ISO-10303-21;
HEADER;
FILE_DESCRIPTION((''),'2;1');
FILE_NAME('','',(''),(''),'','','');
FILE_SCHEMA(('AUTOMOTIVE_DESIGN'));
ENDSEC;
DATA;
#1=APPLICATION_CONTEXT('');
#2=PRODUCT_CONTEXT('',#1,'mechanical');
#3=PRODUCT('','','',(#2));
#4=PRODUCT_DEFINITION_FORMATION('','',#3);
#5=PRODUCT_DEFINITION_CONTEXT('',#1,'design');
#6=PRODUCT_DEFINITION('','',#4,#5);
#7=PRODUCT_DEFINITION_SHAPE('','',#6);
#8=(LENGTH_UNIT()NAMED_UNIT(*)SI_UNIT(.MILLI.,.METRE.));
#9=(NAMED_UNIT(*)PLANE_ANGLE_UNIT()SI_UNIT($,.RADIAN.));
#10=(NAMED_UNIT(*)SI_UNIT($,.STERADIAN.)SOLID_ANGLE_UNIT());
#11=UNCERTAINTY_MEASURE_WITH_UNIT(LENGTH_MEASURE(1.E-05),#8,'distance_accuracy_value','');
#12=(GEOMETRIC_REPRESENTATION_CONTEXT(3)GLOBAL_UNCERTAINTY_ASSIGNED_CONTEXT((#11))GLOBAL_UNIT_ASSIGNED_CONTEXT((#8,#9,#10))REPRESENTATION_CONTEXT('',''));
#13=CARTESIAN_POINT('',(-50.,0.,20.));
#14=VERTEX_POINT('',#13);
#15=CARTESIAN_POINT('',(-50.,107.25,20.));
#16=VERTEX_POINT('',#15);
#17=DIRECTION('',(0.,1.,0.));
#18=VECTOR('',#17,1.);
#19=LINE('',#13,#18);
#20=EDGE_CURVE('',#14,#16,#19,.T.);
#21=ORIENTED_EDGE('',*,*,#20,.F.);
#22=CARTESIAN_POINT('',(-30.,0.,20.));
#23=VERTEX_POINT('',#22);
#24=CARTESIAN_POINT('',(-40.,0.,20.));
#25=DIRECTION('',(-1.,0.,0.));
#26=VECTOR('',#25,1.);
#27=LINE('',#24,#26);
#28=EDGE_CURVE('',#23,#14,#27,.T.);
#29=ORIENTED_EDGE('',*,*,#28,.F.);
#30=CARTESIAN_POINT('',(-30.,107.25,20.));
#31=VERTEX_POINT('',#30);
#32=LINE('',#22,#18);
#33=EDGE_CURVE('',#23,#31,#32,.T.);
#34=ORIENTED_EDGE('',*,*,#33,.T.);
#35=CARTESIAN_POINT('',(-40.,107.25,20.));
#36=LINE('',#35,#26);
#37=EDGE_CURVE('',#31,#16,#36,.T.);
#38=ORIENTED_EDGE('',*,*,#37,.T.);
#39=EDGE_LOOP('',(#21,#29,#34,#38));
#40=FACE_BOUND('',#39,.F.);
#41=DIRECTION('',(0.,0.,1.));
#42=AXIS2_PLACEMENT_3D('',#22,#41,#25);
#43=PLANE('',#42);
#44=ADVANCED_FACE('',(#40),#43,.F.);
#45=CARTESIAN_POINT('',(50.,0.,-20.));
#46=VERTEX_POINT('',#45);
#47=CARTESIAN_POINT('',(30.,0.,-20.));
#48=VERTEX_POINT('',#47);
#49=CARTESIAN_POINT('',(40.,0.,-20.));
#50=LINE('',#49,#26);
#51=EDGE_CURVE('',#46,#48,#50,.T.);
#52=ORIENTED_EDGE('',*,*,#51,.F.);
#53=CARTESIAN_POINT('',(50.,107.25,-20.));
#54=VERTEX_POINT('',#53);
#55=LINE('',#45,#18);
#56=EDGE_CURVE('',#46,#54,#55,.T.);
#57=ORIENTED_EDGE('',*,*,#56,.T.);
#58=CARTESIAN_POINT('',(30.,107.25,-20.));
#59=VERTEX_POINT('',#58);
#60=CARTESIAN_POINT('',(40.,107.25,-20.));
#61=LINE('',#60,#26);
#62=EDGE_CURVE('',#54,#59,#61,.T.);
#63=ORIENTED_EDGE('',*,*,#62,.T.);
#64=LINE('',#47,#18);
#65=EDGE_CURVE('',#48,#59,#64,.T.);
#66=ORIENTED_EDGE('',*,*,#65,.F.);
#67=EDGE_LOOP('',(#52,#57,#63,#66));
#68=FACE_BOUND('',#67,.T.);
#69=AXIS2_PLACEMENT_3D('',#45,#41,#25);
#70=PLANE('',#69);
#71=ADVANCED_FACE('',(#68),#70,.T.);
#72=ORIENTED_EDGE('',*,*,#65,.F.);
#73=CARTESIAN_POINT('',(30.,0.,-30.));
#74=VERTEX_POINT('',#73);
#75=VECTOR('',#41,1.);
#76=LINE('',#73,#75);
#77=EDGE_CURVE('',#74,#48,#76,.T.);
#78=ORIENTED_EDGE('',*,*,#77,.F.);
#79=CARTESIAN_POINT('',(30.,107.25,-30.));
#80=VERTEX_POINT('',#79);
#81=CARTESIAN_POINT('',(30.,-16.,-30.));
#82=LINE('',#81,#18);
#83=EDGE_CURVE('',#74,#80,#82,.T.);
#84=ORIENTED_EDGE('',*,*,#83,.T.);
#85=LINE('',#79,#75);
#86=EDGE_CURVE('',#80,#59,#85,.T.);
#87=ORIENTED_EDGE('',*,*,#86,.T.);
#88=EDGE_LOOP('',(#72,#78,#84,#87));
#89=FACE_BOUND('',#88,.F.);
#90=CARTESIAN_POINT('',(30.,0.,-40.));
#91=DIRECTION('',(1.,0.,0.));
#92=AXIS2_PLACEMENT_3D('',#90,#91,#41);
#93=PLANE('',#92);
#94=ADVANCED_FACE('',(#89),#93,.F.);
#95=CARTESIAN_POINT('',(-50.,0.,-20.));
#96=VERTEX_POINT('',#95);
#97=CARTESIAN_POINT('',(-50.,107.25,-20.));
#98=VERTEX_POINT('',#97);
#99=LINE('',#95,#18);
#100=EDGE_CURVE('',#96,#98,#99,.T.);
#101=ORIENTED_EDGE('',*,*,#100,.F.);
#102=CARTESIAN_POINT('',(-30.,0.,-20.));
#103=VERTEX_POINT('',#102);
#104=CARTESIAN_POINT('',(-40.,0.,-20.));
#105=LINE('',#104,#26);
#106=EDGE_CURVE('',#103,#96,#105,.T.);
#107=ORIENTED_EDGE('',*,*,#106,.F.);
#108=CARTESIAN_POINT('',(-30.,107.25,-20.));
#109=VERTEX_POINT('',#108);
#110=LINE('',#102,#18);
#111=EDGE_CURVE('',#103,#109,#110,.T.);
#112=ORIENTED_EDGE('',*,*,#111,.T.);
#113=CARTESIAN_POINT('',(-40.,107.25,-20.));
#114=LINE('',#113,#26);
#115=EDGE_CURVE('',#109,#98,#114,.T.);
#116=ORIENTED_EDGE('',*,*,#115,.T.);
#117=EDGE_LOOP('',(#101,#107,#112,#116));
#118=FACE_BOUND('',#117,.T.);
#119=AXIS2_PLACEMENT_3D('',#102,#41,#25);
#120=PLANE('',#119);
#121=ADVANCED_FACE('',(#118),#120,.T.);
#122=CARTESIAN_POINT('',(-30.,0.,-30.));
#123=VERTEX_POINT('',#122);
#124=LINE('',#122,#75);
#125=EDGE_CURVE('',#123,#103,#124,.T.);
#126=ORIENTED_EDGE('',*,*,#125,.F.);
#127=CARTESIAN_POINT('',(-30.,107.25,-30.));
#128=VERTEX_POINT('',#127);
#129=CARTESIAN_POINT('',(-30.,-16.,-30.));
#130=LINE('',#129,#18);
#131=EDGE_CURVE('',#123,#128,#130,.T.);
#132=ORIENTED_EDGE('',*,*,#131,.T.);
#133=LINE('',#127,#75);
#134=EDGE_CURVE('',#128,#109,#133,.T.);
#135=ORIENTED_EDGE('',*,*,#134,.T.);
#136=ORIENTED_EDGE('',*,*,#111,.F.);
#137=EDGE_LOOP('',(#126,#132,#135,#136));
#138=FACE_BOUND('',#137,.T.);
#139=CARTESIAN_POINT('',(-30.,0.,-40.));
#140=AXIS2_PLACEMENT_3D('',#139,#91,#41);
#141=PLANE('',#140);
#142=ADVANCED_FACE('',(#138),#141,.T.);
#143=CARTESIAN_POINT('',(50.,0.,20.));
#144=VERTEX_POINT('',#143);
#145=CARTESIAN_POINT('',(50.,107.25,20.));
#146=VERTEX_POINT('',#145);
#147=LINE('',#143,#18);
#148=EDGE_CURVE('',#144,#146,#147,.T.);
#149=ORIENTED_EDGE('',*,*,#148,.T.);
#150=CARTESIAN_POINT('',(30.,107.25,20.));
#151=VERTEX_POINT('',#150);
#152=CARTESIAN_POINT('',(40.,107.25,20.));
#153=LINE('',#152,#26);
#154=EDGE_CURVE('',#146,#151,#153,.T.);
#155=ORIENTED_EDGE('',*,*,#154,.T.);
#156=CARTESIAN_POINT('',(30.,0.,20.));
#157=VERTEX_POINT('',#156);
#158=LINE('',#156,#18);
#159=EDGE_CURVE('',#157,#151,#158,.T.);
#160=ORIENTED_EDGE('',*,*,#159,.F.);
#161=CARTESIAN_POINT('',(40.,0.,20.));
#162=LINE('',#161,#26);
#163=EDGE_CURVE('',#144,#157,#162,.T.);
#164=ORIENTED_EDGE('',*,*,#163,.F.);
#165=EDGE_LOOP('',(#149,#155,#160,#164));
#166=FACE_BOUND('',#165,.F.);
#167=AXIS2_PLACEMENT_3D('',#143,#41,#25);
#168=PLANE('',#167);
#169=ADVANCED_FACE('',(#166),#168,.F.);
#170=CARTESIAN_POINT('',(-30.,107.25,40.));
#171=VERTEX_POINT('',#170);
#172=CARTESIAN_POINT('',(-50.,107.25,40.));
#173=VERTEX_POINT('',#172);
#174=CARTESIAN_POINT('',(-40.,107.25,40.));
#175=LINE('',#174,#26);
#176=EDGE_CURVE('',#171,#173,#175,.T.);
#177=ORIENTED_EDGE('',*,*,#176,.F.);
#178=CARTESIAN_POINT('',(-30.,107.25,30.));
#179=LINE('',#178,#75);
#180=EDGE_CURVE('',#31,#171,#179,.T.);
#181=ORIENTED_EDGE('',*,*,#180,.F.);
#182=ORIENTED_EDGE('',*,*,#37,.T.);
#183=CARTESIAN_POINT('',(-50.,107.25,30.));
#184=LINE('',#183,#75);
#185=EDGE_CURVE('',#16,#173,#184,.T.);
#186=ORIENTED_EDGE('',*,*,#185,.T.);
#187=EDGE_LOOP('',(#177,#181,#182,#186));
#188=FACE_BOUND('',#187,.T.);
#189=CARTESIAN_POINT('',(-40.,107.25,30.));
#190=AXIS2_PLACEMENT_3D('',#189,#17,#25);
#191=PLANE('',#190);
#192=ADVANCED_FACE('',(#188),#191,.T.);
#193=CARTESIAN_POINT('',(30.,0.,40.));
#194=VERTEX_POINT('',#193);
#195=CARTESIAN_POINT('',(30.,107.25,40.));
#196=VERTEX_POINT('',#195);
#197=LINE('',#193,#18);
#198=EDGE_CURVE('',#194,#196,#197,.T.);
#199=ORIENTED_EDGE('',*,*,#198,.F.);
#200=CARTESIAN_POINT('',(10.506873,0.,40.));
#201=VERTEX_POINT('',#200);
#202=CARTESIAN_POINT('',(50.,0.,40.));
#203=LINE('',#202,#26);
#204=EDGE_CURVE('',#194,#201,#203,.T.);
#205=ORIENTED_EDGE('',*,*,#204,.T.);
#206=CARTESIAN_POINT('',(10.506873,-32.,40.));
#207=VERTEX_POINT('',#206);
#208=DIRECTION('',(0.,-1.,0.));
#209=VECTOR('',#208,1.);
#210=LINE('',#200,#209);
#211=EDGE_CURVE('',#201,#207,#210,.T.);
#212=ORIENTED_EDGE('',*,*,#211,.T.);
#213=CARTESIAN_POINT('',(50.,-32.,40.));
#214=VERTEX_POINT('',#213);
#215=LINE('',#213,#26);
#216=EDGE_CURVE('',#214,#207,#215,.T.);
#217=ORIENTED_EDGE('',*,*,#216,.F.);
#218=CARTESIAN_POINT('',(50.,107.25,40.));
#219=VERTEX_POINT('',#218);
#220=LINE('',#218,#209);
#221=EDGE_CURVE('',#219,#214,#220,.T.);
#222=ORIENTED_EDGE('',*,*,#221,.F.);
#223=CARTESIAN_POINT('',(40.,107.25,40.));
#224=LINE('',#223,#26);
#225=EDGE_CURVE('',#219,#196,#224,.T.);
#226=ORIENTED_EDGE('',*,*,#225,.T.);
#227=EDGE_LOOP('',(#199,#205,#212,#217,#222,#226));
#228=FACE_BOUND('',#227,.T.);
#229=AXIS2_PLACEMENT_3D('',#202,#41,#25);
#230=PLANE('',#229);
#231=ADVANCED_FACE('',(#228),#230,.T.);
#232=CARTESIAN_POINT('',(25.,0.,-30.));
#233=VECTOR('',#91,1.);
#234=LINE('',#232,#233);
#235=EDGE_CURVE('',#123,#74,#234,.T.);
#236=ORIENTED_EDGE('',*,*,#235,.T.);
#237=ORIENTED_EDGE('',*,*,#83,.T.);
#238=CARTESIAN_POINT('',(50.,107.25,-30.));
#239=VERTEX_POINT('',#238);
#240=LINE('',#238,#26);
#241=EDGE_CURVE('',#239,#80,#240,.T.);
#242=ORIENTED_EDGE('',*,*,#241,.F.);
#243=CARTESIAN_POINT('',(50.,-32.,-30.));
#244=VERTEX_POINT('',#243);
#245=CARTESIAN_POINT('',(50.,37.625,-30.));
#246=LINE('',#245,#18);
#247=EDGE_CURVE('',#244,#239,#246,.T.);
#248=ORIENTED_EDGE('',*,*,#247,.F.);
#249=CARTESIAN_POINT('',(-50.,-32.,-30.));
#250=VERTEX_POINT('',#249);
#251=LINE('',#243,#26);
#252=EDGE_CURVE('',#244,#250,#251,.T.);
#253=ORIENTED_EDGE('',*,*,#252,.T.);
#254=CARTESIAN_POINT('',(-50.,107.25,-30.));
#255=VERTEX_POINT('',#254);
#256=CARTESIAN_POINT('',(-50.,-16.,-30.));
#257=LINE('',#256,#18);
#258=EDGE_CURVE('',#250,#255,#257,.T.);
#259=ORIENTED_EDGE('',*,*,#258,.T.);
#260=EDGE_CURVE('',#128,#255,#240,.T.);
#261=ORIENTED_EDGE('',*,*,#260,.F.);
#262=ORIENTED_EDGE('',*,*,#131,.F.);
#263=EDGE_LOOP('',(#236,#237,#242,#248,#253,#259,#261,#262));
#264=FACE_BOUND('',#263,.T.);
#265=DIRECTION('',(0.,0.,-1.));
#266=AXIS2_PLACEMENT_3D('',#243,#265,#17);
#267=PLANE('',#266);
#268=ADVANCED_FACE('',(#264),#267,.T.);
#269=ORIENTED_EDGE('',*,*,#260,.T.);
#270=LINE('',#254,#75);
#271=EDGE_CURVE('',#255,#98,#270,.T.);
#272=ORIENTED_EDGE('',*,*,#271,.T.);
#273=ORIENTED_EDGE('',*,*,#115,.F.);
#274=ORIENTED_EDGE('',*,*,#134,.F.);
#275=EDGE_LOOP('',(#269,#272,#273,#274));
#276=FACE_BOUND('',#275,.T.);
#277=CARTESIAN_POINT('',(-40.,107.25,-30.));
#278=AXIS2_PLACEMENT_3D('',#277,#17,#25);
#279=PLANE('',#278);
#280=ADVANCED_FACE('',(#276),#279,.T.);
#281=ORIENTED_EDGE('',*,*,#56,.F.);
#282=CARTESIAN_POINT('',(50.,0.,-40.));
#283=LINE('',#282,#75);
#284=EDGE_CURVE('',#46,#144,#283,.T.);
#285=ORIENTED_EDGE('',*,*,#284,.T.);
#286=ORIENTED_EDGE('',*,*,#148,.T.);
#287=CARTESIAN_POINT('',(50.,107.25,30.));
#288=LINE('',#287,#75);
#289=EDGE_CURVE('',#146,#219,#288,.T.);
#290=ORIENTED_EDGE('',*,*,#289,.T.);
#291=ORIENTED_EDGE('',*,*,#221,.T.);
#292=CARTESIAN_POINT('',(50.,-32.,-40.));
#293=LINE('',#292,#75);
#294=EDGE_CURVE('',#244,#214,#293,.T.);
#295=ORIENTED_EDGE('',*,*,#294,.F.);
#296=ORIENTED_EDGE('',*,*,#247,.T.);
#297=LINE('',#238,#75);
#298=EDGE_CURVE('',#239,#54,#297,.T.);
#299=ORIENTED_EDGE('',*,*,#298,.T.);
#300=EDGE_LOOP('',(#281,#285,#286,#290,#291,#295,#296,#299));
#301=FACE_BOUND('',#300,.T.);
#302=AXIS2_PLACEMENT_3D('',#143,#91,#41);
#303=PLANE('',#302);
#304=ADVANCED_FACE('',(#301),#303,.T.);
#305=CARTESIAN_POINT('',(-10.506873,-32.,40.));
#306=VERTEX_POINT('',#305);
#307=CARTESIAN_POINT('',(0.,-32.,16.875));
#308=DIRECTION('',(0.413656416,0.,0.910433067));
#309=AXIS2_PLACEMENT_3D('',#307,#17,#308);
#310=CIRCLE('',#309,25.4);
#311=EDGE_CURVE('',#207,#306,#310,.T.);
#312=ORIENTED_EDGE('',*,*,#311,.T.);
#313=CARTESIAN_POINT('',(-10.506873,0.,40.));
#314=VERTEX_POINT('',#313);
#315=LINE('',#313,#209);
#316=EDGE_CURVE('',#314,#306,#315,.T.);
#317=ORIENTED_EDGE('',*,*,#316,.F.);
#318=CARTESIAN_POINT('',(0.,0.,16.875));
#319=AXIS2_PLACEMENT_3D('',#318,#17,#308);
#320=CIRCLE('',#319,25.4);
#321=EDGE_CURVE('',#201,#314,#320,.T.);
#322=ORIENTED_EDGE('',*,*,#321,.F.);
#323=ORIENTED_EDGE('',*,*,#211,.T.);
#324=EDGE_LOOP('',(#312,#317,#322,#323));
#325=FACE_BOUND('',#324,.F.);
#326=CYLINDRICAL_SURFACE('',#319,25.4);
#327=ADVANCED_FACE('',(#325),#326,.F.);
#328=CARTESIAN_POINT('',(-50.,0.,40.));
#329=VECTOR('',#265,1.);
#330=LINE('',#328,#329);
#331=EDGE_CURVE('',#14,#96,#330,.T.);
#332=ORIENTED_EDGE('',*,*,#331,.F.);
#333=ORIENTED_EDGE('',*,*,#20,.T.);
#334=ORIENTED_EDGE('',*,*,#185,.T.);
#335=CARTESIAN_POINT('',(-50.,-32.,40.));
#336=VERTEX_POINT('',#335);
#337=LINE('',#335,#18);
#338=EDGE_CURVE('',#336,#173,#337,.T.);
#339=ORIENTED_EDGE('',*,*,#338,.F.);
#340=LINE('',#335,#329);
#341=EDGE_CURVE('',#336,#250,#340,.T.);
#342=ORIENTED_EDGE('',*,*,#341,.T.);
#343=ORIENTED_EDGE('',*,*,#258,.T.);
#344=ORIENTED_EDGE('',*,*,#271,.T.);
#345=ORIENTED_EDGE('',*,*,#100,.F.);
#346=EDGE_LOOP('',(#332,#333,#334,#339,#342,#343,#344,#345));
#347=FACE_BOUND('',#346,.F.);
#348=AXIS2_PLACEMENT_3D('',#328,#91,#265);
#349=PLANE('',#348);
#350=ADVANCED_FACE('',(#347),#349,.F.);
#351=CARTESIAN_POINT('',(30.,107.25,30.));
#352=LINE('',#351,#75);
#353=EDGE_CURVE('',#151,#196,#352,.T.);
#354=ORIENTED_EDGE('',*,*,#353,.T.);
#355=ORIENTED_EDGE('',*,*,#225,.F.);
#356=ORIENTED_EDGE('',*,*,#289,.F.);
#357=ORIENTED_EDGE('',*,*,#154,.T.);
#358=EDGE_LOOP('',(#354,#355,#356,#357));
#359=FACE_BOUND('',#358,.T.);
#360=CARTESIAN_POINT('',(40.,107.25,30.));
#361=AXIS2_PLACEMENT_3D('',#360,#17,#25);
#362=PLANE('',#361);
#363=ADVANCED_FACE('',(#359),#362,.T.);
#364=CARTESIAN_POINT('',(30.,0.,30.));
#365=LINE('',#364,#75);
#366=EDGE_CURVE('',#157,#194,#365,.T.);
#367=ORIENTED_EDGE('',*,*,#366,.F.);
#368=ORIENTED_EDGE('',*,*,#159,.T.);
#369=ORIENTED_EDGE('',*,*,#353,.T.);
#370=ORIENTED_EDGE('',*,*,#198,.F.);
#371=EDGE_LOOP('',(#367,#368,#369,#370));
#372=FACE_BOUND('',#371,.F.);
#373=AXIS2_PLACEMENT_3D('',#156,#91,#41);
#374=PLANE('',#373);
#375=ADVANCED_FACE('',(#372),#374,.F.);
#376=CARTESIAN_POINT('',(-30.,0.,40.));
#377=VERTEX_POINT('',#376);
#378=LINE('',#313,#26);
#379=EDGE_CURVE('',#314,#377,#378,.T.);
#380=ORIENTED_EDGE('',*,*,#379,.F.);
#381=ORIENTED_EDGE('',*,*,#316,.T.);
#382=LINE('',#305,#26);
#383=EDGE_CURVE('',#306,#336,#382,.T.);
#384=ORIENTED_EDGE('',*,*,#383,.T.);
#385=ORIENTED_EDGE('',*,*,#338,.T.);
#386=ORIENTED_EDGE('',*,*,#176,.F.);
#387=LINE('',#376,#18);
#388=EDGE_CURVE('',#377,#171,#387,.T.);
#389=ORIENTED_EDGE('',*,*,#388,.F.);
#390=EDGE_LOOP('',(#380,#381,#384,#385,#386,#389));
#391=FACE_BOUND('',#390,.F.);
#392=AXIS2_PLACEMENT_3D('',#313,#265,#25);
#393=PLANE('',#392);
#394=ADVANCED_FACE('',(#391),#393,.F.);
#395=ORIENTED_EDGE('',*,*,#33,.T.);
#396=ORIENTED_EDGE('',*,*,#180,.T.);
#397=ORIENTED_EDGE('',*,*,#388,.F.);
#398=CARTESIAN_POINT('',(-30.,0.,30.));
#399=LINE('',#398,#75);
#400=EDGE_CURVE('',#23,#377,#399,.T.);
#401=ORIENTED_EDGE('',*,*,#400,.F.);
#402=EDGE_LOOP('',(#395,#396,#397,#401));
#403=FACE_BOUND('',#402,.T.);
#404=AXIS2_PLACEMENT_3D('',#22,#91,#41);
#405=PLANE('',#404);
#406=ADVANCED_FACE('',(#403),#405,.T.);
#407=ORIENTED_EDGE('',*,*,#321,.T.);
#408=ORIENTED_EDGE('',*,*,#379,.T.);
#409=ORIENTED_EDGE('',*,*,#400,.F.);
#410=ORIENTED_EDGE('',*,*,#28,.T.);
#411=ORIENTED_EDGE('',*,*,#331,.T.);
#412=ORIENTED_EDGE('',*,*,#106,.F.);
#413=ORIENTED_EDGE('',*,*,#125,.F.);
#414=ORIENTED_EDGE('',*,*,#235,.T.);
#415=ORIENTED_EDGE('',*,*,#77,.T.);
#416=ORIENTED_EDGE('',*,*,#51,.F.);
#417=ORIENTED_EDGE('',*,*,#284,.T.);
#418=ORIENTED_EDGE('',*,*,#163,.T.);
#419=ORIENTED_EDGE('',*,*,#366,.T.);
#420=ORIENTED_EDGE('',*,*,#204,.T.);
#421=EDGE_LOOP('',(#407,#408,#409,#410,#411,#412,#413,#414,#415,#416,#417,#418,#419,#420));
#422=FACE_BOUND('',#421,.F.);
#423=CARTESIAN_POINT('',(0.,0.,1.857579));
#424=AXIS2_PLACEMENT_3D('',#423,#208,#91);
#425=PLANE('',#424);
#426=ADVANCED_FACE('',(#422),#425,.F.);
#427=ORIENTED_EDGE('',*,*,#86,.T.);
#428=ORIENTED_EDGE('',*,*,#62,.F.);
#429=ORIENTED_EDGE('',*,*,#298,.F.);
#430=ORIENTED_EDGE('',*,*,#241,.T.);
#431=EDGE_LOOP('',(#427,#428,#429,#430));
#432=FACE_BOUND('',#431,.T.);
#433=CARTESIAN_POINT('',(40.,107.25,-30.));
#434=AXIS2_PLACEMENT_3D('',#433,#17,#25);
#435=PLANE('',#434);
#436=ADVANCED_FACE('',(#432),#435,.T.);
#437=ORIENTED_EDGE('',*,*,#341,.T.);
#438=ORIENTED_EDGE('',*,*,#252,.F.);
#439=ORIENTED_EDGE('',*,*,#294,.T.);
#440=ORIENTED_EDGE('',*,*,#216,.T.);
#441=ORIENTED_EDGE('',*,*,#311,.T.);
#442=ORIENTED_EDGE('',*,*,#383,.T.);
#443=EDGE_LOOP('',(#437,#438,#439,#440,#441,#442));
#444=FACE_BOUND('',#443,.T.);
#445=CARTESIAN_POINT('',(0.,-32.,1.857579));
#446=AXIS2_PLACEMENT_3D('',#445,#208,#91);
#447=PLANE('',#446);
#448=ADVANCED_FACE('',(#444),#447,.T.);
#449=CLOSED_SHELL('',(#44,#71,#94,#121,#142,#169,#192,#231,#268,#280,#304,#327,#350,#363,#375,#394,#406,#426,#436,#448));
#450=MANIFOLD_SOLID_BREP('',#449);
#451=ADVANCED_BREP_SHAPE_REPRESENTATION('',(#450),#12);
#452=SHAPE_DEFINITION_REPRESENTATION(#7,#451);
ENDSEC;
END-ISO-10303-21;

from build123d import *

# Parameters (mm, degrees)
F1_DEPTH = 32
F2_W     = 20
F2_H     = 20
F3_DEPTH = 107.25
F4_W     = 139.25
F4_H     = 10
F5_DEPTH = 150


with BuildPart() as f1:
    # F0 (on Front) → F1 (new body)
    with BuildSketch(Plane.XZ):
        with BuildLine():
            Line((50, -40), (50, 40))
            Line((50, 40), (10.506873, 40))
            ThreePointArc((10.506873, 40), (0, -8.525), (-10.506873, 40))
            Line((-10.506873, 40), (-50, 40))
            Line((-50, 40), (-50, -40))
            Line((-50, -40), (50, -40))
        make_face()
    extrude(amount=F1_DEPTH)

    # F2 (on face) → F3 (join)
    with BuildSketch(Plane(origin=(0, 0, 0), x_dir=(-1, 0, 0), z_dir=(0, 1, 0))):
        with Locations((-40, 30)):
            Rectangle(F2_W, F2_H)
        with Locations((40, 30)):
            Rectangle(F2_W, F2_H)
        with Locations((40, -30)):
            Rectangle(F2_W, F2_H)
        with Locations((-40, -30)):
            Rectangle(F2_W, F2_H)
    extrude(amount=F3_DEPTH)

    # F4 (on face) → F5 (cut)
    with BuildSketch(Plane.YZ.offset(50)):
        with Locations((37.625, -35)):
            Rectangle(F4_W, F4_H)
    extrude(amount=-F5_DEPTH, mode=Mode.SUBTRACT)


solid = f1.part
